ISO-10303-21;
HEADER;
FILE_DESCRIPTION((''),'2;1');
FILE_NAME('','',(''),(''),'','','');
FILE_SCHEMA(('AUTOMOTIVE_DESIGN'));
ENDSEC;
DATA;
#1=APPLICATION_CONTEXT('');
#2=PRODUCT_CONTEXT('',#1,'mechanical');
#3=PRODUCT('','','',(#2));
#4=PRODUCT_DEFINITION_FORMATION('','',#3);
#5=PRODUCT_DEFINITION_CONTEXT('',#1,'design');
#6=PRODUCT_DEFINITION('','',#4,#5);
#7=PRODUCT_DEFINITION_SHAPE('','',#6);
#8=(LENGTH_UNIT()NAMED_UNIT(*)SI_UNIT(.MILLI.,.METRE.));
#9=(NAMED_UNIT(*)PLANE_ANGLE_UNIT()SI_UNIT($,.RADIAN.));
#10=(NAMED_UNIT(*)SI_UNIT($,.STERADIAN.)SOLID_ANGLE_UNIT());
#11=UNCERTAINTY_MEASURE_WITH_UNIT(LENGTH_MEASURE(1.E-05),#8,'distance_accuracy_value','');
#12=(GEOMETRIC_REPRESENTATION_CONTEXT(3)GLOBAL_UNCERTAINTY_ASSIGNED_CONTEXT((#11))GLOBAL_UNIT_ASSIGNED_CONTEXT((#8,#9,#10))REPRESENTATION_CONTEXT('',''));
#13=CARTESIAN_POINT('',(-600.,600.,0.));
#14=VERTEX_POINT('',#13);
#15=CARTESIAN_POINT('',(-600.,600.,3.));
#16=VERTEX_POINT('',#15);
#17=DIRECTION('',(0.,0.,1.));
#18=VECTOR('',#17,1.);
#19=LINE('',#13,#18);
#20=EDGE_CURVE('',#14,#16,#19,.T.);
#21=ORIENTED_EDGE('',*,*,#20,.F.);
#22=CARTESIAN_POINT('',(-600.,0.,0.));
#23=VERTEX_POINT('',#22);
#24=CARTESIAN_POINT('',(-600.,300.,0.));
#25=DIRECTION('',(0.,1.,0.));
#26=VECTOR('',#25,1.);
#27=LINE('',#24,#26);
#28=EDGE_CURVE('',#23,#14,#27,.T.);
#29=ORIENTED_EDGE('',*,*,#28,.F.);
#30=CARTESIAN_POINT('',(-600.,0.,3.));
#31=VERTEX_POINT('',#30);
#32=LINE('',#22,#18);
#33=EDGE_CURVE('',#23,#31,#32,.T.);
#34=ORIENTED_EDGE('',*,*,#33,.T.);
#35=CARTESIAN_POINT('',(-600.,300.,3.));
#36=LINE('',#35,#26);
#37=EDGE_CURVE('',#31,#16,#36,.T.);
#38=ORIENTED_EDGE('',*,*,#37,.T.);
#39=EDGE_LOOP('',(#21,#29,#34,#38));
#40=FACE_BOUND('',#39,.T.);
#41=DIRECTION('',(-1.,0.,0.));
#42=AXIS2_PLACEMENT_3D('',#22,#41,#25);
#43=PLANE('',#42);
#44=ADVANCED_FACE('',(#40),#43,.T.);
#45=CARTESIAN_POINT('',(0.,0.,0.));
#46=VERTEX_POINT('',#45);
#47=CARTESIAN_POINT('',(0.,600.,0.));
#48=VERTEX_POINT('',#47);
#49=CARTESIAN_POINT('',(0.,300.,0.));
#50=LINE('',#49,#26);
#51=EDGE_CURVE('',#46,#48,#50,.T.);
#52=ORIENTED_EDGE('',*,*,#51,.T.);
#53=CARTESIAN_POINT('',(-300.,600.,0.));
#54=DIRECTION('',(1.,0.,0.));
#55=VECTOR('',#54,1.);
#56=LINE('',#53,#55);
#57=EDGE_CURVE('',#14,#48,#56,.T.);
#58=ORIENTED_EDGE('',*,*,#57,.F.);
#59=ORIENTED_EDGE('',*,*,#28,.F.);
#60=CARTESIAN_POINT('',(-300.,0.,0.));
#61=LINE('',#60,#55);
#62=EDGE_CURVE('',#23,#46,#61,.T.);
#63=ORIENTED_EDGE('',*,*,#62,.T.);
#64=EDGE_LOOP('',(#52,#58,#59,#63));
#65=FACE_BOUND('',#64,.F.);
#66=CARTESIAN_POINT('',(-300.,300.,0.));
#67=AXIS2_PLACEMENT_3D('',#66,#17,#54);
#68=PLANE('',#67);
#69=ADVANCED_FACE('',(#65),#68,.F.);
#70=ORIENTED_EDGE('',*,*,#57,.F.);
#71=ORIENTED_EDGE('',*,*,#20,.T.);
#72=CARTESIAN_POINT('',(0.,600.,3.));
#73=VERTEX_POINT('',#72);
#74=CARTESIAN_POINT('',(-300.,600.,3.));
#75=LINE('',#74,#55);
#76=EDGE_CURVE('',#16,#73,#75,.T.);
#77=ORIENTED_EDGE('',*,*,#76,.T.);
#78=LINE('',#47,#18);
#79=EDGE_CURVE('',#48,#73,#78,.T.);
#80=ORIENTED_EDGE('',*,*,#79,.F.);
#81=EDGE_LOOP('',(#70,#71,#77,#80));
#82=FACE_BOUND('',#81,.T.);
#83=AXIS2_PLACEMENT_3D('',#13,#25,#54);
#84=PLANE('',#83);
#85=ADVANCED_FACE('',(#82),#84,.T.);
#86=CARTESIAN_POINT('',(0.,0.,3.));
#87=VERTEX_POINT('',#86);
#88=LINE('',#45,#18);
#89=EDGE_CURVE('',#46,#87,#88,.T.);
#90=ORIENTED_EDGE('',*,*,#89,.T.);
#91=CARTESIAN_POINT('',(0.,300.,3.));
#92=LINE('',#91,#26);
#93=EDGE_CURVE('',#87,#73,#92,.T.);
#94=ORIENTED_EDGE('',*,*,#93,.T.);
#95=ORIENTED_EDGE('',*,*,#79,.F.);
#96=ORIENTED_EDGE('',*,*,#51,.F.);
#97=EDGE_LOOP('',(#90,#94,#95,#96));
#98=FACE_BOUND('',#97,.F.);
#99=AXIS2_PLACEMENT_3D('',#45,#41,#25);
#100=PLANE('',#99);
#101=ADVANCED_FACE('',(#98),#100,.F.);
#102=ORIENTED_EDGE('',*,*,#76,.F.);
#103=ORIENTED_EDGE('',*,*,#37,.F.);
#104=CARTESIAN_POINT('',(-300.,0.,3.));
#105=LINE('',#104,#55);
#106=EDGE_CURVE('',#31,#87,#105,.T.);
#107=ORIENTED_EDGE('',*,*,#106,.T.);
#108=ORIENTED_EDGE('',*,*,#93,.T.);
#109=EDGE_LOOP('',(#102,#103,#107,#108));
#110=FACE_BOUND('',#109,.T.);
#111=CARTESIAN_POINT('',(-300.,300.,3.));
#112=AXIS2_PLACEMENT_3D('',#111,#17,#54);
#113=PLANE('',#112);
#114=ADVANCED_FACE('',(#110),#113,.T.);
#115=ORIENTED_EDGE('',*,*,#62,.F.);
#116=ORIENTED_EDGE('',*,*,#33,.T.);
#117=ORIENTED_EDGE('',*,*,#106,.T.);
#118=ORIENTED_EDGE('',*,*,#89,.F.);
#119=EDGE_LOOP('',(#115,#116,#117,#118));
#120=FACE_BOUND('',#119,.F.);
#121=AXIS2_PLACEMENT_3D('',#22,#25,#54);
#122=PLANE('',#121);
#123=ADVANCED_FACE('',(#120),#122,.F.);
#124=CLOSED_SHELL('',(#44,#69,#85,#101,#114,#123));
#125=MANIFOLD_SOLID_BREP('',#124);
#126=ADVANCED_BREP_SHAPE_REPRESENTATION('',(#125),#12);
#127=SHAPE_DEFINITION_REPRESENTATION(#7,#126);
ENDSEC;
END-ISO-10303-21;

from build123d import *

# Parameters (mm, degrees)
ESQUISSE1_W        = 600
ESQUISSE1_H        = 600
BOSS_EXTRU_1_DEPTH = 3


with BuildPart() as part:
    # Esquisse1 → Boss.-Extru.1 (new body)
    with BuildSketch(Plane.XY):
        with Locations((-300, 300)):
            Rectangle(ESQUISSE1_W, ESQUISSE1_H)
    extrude(amount=BOSS_EXTRU_1_DEPTH)


solid = part.part
